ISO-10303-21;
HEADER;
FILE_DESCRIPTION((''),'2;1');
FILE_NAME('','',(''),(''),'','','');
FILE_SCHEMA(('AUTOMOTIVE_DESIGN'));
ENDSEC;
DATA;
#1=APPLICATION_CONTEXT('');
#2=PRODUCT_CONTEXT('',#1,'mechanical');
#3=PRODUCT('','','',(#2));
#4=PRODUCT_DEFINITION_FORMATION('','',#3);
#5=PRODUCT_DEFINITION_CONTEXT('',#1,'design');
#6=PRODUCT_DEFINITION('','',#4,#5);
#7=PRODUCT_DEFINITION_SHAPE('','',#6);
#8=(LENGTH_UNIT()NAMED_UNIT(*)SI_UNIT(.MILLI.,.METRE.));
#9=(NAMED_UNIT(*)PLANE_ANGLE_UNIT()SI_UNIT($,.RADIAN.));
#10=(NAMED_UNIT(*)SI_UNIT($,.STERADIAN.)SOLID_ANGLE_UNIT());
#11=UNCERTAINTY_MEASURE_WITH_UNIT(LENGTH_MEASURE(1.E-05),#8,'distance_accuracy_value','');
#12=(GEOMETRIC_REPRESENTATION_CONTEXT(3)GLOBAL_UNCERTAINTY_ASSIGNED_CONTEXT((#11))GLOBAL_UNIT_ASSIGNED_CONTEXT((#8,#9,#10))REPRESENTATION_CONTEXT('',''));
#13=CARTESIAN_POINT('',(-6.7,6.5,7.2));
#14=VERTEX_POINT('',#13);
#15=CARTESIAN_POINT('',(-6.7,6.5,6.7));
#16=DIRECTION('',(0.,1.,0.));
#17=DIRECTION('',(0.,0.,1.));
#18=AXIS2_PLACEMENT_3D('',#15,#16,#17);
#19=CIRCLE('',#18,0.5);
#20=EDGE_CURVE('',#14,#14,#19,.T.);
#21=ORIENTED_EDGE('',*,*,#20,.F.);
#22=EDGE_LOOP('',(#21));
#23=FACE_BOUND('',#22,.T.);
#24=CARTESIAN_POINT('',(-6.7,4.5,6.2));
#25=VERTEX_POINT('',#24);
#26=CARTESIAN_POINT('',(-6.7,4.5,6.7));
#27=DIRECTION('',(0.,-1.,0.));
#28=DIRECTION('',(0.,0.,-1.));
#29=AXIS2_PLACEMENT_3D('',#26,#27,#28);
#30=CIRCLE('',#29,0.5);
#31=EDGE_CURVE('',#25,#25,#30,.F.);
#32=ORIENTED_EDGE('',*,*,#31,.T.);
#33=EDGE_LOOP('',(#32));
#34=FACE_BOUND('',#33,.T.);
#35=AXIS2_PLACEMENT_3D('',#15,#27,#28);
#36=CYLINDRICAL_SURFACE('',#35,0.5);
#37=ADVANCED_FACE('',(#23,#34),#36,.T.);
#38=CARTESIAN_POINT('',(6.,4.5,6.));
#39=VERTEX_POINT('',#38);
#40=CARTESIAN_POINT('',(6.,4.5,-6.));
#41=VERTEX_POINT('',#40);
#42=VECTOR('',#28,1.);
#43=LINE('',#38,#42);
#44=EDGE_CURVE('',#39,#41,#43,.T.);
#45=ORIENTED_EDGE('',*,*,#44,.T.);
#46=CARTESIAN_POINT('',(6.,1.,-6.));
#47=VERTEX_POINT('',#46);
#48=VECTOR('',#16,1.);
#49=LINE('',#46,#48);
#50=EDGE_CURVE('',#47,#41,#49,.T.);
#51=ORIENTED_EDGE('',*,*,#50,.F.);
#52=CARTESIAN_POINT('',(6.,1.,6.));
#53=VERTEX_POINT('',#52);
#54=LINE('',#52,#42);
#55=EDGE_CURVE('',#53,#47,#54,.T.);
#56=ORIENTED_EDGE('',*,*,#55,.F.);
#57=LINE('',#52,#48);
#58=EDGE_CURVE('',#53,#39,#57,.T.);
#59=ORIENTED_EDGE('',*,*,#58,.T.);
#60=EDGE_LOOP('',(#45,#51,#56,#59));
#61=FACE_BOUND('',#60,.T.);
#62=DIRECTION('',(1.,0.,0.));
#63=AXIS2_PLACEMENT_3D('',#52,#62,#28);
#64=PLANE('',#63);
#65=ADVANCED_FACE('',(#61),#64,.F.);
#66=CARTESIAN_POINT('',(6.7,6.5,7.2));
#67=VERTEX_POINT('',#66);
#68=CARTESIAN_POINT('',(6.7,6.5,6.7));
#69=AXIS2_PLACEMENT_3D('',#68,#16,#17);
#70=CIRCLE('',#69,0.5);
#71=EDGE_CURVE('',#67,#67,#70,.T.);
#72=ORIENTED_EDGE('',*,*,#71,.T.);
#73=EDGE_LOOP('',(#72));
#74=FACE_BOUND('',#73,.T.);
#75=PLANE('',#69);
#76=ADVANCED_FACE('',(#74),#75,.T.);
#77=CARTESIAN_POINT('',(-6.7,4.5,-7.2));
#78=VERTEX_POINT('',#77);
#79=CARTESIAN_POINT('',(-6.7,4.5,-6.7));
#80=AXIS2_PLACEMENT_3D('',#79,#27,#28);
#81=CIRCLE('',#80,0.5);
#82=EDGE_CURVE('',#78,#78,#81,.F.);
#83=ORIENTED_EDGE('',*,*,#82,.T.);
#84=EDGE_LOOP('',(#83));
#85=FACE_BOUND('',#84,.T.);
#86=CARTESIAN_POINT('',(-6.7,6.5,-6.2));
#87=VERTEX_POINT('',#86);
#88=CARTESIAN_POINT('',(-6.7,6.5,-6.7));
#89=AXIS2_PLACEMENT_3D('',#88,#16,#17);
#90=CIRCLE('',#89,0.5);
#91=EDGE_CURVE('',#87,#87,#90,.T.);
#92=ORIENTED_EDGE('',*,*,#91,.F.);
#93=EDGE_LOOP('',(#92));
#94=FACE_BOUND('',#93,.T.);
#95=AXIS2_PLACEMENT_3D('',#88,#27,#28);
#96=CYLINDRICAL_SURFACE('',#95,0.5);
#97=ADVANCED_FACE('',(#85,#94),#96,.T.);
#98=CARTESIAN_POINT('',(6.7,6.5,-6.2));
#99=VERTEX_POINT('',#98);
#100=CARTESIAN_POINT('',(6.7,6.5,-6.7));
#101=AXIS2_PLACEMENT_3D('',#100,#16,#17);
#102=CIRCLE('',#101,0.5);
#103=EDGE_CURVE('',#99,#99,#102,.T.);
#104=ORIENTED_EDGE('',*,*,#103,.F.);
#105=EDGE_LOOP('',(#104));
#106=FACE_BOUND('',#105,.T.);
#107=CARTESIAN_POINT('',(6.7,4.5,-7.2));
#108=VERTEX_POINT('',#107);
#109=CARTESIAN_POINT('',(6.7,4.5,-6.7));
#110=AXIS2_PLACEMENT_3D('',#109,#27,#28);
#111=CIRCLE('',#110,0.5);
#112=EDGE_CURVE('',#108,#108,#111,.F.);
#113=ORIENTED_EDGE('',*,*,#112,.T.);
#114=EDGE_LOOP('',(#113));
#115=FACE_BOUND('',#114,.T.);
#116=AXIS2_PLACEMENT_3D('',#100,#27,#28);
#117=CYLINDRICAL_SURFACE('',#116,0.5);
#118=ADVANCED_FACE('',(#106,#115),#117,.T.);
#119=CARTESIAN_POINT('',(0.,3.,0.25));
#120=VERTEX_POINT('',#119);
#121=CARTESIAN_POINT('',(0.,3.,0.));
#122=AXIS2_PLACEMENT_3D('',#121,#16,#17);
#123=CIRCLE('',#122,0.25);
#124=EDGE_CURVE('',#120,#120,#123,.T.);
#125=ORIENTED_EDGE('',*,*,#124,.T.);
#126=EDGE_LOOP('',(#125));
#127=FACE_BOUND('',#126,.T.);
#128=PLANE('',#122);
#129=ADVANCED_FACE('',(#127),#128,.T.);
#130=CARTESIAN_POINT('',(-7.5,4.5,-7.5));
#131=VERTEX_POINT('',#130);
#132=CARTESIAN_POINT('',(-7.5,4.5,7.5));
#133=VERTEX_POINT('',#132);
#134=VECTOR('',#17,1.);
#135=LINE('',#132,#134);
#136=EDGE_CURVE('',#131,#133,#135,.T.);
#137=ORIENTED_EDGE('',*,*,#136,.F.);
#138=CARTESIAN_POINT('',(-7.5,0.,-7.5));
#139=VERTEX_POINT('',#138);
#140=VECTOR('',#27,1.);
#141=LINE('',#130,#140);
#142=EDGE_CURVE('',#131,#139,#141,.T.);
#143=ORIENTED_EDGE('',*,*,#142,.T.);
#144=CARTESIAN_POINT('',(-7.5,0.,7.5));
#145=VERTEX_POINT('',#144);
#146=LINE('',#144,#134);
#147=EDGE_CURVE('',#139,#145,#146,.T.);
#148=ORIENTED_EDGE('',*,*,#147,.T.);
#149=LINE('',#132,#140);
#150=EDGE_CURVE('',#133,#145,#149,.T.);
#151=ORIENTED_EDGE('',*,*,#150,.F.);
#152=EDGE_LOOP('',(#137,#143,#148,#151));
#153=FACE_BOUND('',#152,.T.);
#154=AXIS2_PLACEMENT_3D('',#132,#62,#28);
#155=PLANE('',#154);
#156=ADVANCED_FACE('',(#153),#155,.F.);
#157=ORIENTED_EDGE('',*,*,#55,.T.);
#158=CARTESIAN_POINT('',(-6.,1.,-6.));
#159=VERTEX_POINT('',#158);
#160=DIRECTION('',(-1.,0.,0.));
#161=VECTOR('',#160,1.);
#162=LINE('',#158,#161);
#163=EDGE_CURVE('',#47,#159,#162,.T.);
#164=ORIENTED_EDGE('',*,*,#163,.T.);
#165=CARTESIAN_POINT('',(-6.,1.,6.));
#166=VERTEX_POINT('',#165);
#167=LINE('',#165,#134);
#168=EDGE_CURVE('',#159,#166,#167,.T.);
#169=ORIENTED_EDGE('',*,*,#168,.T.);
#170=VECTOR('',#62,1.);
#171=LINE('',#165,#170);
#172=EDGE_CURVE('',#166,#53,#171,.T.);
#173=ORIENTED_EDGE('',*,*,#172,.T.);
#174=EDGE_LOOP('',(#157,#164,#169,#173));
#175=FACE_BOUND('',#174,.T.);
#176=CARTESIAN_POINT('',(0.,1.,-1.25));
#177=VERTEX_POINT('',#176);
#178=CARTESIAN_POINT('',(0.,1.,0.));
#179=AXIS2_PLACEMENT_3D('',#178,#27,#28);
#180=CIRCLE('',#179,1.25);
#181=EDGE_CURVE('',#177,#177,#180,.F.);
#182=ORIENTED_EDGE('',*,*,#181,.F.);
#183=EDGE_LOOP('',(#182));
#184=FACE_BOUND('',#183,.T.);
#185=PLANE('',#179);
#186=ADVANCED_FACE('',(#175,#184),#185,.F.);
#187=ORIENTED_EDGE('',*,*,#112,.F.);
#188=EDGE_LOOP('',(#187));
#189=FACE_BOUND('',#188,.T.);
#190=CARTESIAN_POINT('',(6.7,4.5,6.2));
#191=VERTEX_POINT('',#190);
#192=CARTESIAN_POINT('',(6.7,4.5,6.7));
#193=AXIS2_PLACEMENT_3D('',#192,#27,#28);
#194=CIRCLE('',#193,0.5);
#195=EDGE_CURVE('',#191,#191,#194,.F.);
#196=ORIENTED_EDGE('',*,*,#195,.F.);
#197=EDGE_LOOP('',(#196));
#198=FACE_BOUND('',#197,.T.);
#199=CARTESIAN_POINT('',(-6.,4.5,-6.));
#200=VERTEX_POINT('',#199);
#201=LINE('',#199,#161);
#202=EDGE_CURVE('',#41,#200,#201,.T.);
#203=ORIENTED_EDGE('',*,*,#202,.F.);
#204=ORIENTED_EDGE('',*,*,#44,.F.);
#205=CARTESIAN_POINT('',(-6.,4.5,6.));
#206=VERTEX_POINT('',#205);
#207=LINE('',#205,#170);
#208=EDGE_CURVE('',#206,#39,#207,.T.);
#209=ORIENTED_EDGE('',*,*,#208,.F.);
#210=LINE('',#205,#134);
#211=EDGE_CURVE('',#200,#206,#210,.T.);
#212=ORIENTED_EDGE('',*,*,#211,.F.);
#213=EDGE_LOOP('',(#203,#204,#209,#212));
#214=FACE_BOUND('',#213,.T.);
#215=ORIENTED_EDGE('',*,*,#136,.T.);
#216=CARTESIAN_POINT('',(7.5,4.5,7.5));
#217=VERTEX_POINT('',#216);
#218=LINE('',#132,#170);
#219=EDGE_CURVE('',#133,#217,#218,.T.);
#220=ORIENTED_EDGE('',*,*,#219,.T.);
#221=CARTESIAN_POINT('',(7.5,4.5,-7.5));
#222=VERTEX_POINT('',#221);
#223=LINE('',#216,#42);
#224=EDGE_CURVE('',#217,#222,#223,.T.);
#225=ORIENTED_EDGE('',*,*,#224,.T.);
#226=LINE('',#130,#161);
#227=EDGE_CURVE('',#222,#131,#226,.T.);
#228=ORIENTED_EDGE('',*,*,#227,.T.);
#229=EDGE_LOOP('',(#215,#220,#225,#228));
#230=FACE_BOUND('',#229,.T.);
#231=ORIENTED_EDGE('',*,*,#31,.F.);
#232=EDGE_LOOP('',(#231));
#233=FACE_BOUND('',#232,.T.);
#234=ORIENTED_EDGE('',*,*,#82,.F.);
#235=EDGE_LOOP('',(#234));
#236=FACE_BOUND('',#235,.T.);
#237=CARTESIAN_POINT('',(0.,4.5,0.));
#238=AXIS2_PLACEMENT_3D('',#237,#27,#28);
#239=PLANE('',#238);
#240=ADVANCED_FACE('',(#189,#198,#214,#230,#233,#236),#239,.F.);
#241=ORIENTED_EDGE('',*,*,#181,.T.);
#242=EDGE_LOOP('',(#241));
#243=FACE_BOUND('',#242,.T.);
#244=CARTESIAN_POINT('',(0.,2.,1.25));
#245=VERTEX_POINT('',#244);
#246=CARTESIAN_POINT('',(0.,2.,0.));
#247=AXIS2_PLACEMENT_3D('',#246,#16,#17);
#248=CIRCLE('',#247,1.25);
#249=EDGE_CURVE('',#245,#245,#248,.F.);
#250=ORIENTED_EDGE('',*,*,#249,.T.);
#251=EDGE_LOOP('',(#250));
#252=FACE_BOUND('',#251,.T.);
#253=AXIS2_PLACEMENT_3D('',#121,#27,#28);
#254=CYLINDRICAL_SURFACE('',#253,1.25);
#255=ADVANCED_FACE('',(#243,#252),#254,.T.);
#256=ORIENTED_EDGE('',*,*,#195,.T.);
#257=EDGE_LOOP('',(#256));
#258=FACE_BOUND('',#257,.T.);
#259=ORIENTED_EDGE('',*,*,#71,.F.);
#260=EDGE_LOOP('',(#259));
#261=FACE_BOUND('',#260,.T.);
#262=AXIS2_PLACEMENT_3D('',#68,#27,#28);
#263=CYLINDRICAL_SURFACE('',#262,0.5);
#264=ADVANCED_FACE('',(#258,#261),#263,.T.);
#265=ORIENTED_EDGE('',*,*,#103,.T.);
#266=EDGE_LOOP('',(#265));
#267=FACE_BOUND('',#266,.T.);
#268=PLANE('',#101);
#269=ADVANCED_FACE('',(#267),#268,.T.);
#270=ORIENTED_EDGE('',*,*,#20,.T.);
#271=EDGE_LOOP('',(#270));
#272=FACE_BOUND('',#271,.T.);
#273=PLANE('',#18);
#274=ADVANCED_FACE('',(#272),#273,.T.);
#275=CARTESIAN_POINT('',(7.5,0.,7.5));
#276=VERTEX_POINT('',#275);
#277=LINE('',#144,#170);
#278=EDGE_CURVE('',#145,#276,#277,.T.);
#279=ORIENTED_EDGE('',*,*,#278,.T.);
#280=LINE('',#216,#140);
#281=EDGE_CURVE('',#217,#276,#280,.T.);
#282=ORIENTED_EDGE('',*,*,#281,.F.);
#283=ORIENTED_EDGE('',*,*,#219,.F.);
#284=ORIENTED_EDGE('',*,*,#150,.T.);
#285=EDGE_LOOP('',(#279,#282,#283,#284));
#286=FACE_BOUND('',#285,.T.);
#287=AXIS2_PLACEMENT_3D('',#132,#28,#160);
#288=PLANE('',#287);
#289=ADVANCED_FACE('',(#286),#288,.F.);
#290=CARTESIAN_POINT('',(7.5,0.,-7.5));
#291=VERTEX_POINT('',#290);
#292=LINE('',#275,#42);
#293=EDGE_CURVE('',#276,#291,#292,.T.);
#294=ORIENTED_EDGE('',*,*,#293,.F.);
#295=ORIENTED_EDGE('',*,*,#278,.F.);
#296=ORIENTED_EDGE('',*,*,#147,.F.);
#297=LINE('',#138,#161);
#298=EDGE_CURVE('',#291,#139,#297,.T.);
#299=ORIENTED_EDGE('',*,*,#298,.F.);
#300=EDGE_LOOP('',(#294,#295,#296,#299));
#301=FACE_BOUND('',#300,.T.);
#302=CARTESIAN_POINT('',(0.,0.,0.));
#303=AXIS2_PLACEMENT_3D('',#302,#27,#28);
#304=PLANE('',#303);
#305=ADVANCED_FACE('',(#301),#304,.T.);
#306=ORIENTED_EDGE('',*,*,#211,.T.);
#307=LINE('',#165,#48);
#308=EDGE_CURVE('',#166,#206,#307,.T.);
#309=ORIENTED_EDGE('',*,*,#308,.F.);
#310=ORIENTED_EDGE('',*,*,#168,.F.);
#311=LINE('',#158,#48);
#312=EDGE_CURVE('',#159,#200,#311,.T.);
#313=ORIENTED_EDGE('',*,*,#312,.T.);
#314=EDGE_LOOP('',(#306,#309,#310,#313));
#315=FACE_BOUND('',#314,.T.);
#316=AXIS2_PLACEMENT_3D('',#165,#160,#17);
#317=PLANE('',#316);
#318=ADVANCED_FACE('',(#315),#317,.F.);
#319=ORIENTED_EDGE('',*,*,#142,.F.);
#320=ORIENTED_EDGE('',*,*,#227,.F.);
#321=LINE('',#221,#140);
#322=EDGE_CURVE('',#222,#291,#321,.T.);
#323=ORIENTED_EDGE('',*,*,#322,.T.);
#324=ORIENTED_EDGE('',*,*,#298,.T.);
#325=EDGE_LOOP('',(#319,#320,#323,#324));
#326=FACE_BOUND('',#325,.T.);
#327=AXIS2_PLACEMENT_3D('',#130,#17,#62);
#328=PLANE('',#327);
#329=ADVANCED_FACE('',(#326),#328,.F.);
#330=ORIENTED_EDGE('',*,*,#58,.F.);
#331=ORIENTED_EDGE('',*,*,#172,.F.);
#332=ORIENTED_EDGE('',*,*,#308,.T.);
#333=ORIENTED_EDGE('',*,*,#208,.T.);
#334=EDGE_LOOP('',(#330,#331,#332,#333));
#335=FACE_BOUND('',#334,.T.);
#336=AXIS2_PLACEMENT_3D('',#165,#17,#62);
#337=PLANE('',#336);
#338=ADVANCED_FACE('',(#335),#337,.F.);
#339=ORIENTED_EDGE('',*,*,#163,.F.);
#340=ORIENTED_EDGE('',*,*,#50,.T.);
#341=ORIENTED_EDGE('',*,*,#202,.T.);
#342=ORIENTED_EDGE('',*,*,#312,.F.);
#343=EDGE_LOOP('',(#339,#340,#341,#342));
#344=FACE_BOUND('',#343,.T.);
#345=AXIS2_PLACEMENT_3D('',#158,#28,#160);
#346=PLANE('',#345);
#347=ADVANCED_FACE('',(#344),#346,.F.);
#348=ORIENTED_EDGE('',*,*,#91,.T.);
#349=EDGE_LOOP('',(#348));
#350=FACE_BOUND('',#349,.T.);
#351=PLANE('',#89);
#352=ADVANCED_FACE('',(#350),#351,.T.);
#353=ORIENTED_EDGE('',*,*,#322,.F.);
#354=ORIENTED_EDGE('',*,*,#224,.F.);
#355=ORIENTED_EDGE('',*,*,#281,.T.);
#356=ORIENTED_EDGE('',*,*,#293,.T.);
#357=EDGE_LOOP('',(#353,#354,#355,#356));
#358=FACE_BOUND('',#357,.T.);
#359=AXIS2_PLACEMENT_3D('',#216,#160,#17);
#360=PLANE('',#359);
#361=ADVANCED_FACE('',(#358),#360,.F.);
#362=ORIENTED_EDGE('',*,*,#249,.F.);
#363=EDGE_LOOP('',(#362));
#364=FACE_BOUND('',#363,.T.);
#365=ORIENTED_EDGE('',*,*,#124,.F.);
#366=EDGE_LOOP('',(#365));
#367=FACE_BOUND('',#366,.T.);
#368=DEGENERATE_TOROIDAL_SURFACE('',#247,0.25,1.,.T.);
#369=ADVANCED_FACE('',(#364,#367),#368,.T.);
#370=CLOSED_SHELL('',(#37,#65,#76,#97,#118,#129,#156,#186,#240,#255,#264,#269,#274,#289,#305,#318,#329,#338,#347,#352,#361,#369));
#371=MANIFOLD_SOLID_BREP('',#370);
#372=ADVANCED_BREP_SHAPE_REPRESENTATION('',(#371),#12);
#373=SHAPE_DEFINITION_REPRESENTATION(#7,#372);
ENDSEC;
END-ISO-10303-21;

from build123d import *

# Parameters (mm, degrees)
SKETCH1_W           = 15
SKETCH1_H           = 15
BOSS_EXTRUDE1_DEPTH = 4.5
SKETCH2_W           = 12
SKETCH2_H           = 12
CUT_EXTRUDE1_DEPTH  = 3.5
SKETCH3_R           = 1.25
BOSS_EXTRUDE2_DEPTH = 2
FILLET1_R           = 1
SKETCH4_R           = 0.5
BOSS_EXTRUDE3_DEPTH = 2


with BuildPart() as part:
    # Sketch1 → Boss-Extrude1 (new body)
    with BuildSketch(Plane(origin=(0, 0, 0), x_dir=(1, 0, 0), z_dir=(0, 1, 0))):
        Rectangle(SKETCH1_W, SKETCH1_H)
    extrude(amount=BOSS_EXTRUDE1_DEPTH)

    # Sketch2 → Cut-Extrude1 (cut)
    with BuildSketch(Plane(origin=(0, 4.5, 0), x_dir=(1, 0, 0), z_dir=(0, 1, 0))):
        Rectangle(SKETCH2_W, SKETCH2_H)
    extrude(amount=-CUT_EXTRUDE1_DEPTH, mode=Mode.SUBTRACT)

    # Sketch3 → Boss-Extrude2 (add)
    with BuildSketch(Plane(origin=(0, 1, 0), x_dir=(1, 0, 0), z_dir=(0, 1, 0))):
        Circle(SKETCH3_R)
    extrude(amount=BOSS_EXTRUDE2_DEPTH)

    # Fillet1
    fillet1_edges = [part.edges().sort_by_distance(p)[0] for p in [
        (-1.25, 3, 0),
    ]]
    fillet(fillet1_edges, radius=FILLET1_R)

    # Sketch4 → Boss-Extrude3 (add)
    with BuildSketch(Plane(origin=(0, 4.5, 0), x_dir=(1, 0, 0), z_dir=(0, 1, 0))):
        with Locations((-6.7, 6.7)):
            Circle(SKETCH4_R)
        with Locations((6.7, 6.7)):
            Circle(SKETCH4_R)
        with Locations((6.7, -6.7)):
            Circle(SKETCH4_R)
        with Locations((-6.7, -6.7)):
            Circle(SKETCH4_R)
    extrude(amount=BOSS_EXTRUDE3_DEPTH)


solid = part.part
